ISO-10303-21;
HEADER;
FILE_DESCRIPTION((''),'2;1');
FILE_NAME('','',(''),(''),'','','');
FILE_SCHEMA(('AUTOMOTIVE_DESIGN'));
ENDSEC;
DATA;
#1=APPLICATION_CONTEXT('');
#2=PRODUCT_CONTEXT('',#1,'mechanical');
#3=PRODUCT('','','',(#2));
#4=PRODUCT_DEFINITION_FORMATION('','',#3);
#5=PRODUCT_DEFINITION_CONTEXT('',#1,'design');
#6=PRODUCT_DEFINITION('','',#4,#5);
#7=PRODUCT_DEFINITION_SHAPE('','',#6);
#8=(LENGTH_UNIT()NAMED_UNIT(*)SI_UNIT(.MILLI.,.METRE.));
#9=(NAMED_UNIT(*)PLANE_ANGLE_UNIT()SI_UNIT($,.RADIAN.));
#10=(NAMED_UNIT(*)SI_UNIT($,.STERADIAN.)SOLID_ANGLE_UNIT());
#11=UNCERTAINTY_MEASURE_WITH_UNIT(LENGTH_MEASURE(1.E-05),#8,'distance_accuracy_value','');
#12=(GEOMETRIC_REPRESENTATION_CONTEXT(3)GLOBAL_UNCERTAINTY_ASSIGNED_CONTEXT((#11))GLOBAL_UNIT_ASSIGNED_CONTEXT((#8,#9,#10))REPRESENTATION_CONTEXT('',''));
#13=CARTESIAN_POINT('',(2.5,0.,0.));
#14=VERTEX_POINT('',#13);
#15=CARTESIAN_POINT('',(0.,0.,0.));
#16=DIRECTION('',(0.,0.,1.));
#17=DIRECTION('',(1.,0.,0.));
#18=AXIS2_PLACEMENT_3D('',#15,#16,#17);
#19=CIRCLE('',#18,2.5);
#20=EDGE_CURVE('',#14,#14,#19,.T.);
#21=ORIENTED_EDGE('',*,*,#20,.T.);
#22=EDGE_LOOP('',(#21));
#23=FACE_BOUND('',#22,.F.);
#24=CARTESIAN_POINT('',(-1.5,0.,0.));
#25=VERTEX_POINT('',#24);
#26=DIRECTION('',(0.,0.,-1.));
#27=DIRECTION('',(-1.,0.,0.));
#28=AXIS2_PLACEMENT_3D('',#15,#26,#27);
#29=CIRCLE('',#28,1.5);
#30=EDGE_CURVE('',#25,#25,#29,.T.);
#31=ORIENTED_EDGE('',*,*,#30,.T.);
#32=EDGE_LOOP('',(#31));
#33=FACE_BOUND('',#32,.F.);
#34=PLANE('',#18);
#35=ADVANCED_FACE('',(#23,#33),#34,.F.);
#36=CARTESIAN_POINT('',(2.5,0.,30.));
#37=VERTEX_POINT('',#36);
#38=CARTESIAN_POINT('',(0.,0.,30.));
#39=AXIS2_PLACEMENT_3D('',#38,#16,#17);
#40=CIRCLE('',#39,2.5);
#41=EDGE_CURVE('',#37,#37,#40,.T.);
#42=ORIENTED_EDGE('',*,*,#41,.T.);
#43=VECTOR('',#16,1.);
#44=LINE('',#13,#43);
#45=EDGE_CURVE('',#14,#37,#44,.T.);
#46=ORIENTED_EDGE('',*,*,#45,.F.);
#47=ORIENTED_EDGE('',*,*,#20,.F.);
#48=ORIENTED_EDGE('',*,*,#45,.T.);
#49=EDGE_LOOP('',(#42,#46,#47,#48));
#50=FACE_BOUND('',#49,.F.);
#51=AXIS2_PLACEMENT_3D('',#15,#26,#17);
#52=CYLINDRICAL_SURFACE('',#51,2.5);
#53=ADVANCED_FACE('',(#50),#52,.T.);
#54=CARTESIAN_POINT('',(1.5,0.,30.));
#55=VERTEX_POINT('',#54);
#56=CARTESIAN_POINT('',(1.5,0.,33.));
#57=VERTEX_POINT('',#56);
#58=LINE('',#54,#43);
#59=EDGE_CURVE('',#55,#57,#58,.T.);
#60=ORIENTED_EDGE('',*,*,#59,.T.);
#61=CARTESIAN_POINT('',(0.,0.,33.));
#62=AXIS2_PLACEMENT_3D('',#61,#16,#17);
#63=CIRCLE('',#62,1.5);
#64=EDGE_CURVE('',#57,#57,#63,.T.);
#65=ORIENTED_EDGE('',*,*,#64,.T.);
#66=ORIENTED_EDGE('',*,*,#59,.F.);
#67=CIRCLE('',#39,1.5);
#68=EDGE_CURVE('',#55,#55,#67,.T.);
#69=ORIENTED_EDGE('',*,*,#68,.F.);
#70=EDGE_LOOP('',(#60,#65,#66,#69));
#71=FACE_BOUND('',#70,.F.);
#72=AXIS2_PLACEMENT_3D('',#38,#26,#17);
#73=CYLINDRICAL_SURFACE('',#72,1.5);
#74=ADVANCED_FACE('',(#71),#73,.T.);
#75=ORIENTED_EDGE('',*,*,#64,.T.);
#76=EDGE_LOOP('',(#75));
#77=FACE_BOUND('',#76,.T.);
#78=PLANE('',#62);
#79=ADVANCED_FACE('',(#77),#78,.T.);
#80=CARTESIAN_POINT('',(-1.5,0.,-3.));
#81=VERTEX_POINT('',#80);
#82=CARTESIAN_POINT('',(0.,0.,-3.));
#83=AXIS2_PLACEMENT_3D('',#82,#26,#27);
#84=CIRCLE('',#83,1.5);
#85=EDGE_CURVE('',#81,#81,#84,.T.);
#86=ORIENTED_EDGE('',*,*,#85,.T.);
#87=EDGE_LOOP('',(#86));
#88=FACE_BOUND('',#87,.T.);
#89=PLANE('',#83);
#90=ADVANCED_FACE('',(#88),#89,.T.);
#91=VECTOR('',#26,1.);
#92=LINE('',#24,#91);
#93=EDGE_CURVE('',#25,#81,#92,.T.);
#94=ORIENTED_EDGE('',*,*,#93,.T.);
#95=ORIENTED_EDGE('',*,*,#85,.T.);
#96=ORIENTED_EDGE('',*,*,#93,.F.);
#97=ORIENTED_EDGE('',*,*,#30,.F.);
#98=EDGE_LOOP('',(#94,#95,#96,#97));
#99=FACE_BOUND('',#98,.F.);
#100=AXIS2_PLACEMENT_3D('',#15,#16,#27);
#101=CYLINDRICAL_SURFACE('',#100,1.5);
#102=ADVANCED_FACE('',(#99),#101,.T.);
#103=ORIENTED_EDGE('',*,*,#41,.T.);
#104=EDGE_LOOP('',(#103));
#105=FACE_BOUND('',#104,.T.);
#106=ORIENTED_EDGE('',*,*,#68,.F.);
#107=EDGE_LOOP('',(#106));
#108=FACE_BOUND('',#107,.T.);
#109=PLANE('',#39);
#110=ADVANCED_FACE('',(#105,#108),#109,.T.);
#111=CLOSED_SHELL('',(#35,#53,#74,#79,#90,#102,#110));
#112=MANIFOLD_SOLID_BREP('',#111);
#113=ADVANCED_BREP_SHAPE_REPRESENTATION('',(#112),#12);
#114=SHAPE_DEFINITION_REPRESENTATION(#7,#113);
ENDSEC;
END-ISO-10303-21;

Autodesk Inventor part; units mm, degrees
ref_plane "YZ Plane" through (0, 0, 0) normal (1, 0, 0) x (0, 1, 0)
ref_plane "XZ Plane" through (0, 0, 0) normal (0, 1, 0) x (-1, 0, 0)
ref_plane "XY Plane" through (0, 0, 0) normal (0, 0, 1) x (1, 0, 0)
sketch "Sketch1" plane through (0, 0, 0) normal (0, 0, 1) x (1, 0, 0)
  circle A0 centre (0, 0) radius 2.5
  dimension "d0" = 5
extrude "Extrusion1" add sketch "Sketch1" along normal blind 30
sketch "Sketch2" plane through (0, 0, 30) normal (0, 0, 1) x (1, 0, 0)
  circle A0 centre (0, 0) radius 2.5 projected
  circle A1 centre (0, 0) radius 1.5
  dimension "d3" = 3
extrude "Extrusion2" add sketch "Sketch2" along normal blind 3 contours A1
thread "Thread1" size "M3x0.5" class "6g" standard "ANSI Metric M Profile" full length
sketch "Sketch3" plane through (0, 0, 0) normal (0, 0, -1) x (-1, 0, 0)
  circle A0 centre (0, 0) radius 2.5 projected
  circle A1 centre (0, 0) radius 1.5
  dimension "d8" = 3
extrude "Extrusion3" add sketch "Sketch3" along normal blind 3 contours A1
thread "Thread2" size "M3x0.5" class "6g" standard "ANSI Metric M Profile" full length
properties part number "spacer 5cm"
